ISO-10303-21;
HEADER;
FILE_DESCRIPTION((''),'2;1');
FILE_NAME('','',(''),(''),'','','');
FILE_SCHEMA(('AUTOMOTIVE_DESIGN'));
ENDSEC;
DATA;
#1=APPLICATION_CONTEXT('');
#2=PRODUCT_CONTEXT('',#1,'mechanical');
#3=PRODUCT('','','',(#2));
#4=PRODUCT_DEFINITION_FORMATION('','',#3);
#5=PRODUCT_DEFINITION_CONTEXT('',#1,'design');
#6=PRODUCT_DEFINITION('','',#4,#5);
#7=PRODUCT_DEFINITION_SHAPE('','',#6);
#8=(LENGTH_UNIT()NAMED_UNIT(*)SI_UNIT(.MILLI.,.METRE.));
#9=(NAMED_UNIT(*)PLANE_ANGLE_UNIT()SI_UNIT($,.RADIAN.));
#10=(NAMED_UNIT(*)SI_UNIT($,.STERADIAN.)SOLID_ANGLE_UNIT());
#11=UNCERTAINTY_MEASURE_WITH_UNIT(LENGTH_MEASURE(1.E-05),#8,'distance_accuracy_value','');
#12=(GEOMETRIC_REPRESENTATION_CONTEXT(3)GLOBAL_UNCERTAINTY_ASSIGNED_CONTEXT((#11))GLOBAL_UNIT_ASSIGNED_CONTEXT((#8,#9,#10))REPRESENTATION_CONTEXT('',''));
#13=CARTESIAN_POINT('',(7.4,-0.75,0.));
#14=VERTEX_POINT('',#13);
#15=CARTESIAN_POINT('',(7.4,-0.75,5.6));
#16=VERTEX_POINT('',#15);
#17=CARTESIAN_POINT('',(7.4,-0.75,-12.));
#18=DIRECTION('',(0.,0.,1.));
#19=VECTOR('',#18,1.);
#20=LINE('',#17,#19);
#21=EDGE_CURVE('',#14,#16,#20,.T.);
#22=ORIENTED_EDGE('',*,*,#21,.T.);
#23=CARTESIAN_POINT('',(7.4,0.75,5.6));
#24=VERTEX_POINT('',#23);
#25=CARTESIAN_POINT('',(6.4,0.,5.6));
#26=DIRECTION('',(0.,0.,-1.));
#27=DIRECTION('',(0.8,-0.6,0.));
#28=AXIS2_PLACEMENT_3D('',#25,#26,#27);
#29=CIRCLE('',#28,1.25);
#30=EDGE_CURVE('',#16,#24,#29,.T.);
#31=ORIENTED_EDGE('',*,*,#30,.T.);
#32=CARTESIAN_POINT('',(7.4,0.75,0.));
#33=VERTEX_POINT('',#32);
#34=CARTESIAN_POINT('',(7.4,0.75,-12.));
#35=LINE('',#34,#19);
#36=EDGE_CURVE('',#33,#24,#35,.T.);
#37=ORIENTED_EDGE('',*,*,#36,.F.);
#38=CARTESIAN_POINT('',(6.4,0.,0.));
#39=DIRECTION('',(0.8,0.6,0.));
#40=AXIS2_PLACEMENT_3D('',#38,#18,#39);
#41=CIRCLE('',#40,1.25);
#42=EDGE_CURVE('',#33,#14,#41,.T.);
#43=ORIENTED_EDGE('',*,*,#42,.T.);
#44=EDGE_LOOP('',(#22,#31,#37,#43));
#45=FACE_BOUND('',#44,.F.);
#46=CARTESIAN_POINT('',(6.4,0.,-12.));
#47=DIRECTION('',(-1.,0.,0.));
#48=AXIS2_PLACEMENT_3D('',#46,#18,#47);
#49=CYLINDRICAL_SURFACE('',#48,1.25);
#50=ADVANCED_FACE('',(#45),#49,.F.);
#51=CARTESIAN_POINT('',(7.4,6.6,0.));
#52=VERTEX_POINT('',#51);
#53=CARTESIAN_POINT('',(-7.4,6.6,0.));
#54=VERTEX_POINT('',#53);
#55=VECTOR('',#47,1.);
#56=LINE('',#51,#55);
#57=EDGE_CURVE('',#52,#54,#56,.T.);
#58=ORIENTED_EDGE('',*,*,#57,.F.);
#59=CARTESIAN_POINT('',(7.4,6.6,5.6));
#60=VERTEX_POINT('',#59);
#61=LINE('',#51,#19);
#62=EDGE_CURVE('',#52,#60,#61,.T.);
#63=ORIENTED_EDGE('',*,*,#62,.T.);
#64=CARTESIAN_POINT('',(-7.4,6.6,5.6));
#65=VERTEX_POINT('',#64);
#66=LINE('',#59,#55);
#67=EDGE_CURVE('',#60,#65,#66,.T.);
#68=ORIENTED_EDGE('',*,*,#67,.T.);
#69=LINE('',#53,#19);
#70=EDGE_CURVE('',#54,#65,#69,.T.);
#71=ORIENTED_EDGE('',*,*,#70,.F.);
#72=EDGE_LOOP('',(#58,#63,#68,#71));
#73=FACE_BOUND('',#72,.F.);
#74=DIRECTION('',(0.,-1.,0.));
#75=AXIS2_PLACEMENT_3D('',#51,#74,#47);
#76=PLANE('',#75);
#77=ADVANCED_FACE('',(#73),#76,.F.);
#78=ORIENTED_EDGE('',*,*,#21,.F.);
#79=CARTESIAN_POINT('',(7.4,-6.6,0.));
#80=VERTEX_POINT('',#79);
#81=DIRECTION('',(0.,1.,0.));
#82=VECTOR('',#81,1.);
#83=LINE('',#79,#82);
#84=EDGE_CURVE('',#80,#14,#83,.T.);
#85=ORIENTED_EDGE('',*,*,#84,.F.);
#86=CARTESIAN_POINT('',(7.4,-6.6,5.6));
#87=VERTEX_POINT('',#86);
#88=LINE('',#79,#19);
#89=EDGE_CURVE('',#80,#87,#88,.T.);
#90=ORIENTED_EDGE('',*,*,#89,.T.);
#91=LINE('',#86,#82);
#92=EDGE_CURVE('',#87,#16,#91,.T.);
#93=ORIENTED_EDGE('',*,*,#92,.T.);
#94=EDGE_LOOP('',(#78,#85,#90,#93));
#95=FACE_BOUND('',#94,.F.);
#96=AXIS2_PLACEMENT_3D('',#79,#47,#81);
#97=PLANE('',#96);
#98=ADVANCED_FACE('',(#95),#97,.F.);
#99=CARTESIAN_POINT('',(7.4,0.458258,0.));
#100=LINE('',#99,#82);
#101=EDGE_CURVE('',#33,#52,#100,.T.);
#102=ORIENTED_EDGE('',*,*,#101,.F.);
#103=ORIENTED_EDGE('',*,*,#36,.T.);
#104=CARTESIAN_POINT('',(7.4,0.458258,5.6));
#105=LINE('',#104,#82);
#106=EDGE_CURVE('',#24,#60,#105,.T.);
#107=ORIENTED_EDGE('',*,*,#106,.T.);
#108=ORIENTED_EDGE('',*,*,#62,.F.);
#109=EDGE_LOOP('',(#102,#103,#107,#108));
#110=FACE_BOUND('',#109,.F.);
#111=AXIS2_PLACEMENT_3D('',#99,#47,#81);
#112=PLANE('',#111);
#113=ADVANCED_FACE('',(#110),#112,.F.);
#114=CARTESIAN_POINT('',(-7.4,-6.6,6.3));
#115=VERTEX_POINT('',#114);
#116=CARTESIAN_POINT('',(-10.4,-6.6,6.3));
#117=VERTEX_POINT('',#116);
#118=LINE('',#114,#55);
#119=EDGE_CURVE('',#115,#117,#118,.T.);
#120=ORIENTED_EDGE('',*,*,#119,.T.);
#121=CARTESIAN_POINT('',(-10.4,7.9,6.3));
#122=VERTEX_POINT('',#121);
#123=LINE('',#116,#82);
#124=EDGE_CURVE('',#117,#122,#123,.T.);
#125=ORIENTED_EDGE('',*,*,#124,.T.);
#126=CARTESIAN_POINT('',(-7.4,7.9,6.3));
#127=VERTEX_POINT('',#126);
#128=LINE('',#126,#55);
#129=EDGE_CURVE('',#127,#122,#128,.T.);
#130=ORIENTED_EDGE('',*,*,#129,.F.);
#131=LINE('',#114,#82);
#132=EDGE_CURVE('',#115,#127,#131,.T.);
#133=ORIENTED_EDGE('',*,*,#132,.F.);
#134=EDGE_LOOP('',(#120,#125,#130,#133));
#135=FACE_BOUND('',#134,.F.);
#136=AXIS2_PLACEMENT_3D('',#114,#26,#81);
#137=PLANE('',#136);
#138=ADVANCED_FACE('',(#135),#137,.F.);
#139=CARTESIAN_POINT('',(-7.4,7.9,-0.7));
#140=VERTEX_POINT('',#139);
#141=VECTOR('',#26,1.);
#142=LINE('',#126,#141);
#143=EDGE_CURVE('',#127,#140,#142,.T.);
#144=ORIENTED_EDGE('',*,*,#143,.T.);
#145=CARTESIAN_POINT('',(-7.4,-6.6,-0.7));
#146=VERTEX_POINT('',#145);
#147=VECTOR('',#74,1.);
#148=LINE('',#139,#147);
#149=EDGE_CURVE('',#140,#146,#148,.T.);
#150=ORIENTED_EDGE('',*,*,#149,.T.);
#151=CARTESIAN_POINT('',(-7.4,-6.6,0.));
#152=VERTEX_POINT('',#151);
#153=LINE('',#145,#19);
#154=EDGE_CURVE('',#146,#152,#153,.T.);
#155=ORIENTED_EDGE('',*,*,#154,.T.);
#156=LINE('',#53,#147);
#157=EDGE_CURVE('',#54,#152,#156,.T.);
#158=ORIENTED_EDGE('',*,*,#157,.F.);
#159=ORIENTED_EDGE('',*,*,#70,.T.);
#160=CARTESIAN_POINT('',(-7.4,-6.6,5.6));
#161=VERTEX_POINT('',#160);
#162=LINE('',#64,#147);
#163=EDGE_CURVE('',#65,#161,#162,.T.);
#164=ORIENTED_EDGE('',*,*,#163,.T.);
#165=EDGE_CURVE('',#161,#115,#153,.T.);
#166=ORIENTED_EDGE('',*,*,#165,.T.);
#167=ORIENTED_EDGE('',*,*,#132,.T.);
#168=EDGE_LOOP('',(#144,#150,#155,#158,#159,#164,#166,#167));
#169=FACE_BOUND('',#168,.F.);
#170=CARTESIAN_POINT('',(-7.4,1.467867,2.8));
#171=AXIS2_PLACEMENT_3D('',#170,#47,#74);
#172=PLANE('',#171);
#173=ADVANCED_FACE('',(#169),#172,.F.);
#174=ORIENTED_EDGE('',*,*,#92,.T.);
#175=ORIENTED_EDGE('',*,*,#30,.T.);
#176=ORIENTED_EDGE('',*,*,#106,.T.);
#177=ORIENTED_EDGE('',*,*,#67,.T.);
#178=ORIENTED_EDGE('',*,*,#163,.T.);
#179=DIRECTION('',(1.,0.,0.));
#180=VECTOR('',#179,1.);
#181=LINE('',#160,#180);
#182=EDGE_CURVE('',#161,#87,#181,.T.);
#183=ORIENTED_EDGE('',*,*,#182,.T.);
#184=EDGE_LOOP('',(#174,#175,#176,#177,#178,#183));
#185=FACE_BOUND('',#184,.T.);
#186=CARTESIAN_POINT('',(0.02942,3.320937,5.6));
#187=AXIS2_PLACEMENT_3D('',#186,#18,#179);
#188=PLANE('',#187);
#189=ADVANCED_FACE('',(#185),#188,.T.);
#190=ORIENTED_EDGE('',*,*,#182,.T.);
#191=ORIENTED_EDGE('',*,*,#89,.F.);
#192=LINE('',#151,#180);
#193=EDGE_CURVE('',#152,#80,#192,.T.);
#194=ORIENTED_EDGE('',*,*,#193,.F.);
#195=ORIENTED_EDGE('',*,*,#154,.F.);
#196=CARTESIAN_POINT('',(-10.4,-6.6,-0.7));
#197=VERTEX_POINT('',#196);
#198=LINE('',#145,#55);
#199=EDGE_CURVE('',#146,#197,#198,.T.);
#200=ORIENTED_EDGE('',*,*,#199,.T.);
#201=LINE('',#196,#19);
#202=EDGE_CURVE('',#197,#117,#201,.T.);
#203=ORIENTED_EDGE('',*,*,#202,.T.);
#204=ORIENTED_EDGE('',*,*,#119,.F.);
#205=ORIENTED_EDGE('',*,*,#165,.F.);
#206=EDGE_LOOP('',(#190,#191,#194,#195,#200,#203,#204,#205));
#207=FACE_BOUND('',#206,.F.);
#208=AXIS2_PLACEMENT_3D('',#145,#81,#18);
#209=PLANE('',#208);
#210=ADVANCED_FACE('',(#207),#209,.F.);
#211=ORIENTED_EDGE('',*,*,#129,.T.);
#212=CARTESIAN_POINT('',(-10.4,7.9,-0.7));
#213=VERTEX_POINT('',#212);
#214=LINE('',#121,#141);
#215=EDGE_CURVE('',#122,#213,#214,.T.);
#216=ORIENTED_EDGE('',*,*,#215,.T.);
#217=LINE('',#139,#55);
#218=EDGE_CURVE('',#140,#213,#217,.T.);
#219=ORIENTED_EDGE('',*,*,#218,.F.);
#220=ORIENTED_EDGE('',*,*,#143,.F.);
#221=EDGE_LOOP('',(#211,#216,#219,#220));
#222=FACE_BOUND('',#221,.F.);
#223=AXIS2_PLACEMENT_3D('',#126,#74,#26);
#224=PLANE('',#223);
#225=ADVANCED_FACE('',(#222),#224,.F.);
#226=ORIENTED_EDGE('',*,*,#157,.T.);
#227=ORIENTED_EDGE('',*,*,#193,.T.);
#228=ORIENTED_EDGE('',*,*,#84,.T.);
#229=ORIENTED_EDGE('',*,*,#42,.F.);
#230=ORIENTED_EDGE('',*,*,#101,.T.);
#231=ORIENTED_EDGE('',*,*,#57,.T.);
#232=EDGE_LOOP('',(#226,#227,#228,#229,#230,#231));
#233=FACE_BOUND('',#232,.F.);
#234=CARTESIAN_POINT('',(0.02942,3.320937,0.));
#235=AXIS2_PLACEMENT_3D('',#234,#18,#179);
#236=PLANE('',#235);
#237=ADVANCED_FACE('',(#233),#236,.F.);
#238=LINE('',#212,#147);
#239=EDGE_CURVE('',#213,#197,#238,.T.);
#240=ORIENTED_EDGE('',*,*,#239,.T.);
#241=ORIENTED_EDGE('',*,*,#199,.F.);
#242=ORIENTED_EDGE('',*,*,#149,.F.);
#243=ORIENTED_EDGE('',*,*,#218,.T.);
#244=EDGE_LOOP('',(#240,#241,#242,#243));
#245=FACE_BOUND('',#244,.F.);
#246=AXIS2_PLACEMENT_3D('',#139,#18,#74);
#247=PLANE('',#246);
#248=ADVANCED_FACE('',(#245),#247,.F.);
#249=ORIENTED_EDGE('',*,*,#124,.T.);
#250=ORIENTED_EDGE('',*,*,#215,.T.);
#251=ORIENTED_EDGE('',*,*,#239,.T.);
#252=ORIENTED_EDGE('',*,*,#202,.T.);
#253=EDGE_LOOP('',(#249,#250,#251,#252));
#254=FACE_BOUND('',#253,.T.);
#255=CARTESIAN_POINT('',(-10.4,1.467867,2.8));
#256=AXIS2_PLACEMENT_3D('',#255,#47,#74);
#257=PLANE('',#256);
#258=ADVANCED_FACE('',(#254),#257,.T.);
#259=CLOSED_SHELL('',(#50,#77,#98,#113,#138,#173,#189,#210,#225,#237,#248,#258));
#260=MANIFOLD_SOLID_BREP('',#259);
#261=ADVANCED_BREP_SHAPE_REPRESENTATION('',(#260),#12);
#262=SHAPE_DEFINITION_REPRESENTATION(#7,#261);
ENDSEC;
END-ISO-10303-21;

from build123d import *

# Parameters (mm, degrees)
F1_DEPTH = 5.6
F2_D     = 2.5
F2_DEPTH = 12
F3_W     = 13.2
F3_H     = 5.6
F4_DEPTH = 3


with BuildPart() as f1:
    # F0 (on Top) → F1 (new body)
    with BuildSketch(Plane.XY):
        with BuildLine():
            Line((7.4, 6.6), (-7.4, 6.6))
            Line((-7.4, 6.6), (-7.4, 0))
            Line((-7.4, 0), (5.3, 0))
            ThreePointArc((5.3, 0), (6.165479, 1.074709), (7.4, 0.458258))
            Line((7.4, 0.458258), (7.4, 6.6))
        make_face()
        with BuildLine():
            Line((5.3, 0), (-7.4, 0))
            Line((-7.4, 0), (-7.4, -6.6))
            Line((-7.4, -6.6), (7.4, -6.6))
            Line((7.4, -6.6), (7.4, -0.458258))
            ThreePointArc((7.4, -0.458258), (6.165479, -1.074709), (5.3, 0))
        make_face()
        with BuildLine():
            ThreePointArc((7.5, 0), (7.474709, 0.234521), (7.4, 0.458258))
            Line((7.4, 0.458258), (7.4, -0.458258))
            ThreePointArc((7.4, -0.458258), (7.474709, -0.234521), (7.5, 0))
        make_face()
        with BuildLine():
            Line((7.4, -0.458258), (7.4, 0.458258))
            ThreePointArc((7.4, 0.458258), (6.165479, 1.074709), (5.3, 0))
            ThreePointArc((5.3, 0), (6.165479, -1.074709), (7.4, -0.458258))
        make_face()
    extrude(amount=F1_DEPTH)

    # F2
    with Locations(Plane(origin=(0, 0, 0), x_dir=(1, 0, 0), z_dir=(0, 0, -1))):
        with Locations((6.4, 0)):
            Hole(F2_D / 2, depth=F2_DEPTH)

    # F3 (on face) → F4 (join)
    with BuildSketch(Plane(origin=(-7.4, 0, 0), x_dir=(0, -1, 0), z_dir=(-1, 0, 0))):
        Polygon((6.6, 6.3), (-7.9, 6.3), (-7.9, -0.7), (6.6, -0.7), (6.6, 0), (-6.6, 0), (-6.6, 5.6), (6.6, 5.6), align=None)
        with Locations((0, 2.8)):
            Rectangle(F3_W, F3_H)
    extrude(amount=F4_DEPTH)


solid = f1.part
